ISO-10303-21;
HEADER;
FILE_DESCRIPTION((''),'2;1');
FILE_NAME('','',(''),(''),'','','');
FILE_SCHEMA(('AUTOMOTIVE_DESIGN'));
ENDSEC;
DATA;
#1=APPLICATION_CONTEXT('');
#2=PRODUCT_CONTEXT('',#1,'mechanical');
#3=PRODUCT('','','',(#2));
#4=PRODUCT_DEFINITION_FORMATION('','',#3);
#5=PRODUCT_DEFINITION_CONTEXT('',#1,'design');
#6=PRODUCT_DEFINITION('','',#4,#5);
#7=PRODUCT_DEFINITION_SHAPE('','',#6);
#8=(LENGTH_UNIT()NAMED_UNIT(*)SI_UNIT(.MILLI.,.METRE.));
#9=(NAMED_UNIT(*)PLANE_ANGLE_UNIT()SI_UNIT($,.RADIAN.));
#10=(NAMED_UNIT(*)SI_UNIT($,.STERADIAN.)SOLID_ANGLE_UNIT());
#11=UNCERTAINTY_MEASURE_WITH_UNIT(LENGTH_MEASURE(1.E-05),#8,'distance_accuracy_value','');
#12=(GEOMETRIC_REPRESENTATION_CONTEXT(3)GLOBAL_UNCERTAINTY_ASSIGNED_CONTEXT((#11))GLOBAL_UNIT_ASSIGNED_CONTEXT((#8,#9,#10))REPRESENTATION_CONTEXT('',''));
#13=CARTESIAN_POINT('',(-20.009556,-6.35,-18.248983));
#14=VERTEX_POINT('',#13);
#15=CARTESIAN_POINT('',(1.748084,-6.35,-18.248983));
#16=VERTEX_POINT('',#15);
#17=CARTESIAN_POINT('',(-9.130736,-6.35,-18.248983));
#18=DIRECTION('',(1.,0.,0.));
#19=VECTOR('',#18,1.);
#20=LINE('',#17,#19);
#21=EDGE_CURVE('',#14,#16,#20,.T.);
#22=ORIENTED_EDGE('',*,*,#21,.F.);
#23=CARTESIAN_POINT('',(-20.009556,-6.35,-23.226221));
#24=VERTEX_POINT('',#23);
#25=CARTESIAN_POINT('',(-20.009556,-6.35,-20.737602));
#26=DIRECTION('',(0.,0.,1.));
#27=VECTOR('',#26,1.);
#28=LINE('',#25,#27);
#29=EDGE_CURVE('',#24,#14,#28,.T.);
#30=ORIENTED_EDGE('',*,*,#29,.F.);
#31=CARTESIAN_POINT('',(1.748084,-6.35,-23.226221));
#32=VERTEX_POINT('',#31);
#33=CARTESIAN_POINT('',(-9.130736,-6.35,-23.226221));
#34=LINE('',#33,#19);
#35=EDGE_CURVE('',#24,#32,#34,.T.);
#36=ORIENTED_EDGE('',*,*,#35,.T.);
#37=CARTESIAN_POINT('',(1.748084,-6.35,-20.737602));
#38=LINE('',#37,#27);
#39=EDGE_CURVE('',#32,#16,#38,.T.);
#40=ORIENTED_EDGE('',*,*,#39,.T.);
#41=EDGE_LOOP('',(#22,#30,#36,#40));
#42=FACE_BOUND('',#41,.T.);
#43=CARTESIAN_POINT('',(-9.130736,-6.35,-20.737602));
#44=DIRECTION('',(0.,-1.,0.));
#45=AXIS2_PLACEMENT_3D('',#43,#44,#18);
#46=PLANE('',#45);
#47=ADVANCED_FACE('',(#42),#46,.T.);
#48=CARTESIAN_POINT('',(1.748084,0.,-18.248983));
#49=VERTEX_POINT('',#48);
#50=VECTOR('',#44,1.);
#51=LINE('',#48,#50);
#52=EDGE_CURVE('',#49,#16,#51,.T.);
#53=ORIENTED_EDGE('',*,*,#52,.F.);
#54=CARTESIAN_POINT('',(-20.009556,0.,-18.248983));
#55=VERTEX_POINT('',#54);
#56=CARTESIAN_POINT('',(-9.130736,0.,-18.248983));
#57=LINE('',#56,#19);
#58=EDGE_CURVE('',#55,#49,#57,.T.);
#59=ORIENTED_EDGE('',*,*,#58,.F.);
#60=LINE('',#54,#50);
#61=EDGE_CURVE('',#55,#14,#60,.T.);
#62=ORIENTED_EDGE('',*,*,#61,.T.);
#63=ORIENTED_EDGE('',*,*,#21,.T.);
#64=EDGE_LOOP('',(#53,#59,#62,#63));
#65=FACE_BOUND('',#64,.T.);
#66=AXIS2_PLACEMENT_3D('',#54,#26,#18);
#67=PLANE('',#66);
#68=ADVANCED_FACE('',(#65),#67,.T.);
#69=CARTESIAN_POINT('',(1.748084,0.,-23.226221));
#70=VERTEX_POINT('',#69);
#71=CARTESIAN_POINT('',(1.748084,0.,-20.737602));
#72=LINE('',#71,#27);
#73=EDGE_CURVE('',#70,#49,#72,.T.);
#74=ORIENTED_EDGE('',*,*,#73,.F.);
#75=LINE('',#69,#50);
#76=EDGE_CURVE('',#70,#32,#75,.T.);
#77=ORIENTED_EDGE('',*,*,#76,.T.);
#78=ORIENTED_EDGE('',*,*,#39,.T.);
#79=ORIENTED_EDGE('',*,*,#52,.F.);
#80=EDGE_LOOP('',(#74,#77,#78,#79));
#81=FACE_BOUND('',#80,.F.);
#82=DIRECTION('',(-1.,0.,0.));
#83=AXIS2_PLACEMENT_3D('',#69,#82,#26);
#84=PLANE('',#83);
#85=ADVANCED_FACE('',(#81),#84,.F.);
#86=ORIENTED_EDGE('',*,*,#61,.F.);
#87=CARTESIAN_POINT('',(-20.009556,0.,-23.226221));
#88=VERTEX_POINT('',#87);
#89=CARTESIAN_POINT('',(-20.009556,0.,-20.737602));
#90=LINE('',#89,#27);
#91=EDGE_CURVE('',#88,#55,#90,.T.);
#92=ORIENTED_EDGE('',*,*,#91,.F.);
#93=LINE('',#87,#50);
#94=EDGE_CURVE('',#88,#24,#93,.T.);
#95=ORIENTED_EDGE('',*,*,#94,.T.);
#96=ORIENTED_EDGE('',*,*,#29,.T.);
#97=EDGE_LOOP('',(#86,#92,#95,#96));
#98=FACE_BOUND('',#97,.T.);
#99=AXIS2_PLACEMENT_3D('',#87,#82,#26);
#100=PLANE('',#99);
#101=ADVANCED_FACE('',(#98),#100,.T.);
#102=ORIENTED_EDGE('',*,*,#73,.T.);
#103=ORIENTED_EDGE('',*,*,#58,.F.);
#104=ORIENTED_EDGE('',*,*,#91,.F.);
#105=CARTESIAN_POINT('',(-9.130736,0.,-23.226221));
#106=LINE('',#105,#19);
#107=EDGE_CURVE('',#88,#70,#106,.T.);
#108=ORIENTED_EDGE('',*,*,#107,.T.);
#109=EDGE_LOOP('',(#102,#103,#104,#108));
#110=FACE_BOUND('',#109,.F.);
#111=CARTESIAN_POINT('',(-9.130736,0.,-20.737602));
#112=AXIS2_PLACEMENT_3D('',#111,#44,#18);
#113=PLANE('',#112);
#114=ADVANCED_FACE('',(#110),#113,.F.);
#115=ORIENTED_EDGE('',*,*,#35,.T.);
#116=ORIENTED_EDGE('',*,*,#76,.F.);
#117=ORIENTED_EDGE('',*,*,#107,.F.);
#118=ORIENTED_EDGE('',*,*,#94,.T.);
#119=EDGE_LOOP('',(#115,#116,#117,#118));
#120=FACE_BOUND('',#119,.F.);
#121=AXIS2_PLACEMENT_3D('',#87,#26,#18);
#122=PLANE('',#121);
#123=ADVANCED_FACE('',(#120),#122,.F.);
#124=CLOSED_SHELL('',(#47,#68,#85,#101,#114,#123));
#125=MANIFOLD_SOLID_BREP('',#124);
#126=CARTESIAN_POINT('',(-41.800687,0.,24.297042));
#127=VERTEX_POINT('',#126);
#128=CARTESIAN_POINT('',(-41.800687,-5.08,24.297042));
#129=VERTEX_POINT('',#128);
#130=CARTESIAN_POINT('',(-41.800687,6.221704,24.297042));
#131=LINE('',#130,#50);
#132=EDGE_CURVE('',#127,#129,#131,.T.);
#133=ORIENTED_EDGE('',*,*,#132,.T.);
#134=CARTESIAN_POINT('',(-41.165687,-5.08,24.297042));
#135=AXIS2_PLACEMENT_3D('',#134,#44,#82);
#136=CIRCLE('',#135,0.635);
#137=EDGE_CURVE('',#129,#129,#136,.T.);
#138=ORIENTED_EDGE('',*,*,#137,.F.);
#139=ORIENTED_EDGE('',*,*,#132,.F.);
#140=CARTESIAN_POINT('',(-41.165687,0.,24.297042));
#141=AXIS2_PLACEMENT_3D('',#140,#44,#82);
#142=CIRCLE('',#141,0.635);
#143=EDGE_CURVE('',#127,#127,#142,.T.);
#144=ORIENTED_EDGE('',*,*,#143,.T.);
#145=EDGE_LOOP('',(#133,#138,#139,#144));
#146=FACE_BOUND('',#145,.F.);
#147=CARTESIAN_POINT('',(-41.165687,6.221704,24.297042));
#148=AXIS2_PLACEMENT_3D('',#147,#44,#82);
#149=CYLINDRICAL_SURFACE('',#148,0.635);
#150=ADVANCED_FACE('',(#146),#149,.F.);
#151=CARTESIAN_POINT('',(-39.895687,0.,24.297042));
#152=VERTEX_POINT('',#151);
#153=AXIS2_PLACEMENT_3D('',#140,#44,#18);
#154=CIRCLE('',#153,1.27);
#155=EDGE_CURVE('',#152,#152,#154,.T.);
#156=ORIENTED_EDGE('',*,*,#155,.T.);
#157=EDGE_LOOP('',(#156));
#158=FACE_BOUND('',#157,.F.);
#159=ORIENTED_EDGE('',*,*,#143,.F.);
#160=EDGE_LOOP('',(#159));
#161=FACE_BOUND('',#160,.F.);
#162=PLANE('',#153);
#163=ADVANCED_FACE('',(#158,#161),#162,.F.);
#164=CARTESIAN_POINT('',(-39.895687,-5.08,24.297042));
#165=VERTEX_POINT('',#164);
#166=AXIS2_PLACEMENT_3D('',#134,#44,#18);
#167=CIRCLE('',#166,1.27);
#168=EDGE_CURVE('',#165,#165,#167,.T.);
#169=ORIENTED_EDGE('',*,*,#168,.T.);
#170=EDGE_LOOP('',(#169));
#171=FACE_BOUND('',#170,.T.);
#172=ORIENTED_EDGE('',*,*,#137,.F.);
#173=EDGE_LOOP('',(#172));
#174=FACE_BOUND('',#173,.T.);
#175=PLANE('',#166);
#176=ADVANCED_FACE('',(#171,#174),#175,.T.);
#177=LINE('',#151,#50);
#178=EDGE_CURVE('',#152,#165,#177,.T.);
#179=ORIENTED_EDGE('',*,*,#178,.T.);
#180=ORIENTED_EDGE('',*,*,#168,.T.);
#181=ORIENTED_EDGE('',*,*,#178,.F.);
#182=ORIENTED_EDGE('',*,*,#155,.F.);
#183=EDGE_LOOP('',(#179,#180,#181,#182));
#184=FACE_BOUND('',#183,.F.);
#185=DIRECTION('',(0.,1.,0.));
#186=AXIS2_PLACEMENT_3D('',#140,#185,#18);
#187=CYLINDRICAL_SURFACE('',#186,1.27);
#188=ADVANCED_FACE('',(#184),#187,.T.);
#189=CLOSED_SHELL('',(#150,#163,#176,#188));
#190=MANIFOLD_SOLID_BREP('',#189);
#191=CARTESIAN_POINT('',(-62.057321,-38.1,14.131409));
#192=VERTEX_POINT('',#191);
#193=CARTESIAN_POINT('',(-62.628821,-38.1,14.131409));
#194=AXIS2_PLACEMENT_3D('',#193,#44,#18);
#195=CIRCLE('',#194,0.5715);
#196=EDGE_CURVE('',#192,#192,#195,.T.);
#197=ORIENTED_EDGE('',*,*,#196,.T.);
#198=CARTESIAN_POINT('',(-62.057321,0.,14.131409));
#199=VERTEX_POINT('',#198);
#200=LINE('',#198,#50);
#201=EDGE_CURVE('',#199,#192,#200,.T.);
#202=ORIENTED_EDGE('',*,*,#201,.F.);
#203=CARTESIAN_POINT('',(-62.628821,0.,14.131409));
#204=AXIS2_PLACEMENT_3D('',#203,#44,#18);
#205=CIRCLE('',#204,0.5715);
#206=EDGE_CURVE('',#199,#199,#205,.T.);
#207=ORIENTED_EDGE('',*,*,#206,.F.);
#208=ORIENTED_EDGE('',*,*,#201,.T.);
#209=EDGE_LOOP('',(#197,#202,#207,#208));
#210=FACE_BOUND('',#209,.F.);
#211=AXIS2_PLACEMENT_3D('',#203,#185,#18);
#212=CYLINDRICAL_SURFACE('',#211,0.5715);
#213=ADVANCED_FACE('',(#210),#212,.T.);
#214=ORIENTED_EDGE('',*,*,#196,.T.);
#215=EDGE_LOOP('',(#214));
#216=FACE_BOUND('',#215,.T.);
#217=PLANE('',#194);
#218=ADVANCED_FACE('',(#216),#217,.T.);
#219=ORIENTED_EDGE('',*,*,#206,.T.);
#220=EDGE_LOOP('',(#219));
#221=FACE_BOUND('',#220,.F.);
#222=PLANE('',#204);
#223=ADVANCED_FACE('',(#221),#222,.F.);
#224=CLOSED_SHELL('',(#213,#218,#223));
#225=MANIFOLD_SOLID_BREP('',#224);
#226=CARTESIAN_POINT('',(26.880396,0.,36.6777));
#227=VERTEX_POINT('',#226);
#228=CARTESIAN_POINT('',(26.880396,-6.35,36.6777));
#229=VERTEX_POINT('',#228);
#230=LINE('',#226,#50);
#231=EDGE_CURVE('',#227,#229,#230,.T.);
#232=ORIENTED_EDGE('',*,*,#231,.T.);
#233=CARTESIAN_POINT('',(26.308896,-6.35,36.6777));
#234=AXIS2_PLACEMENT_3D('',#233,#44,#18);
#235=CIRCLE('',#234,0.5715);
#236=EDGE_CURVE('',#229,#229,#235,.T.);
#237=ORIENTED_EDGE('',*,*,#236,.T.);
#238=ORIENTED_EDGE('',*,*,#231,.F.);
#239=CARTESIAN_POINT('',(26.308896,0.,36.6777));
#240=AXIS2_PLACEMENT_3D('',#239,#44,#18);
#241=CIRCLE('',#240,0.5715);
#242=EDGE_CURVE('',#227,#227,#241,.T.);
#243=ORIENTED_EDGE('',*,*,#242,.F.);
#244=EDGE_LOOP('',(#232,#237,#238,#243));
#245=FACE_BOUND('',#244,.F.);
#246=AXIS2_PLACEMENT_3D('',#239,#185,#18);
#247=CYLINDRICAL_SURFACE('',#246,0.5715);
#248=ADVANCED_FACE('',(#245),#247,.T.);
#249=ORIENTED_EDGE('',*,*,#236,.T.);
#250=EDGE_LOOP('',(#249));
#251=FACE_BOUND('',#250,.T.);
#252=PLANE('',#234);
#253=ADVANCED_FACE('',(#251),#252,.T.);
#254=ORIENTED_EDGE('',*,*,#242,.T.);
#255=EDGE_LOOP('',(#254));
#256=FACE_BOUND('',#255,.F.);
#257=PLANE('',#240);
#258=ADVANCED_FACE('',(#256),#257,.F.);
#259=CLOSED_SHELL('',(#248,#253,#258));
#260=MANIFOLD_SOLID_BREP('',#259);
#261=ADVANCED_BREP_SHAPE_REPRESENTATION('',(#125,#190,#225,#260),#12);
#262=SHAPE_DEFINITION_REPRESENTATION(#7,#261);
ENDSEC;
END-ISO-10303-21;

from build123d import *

# Parameters (mm, degrees)
F0_R     = 1.27
F1_DEPTH = 5.08
F2_D     = 1.27
F3_W     = 21.75764
F3_H     = 4.9772378749
F4_DEPTH = 6.35
F5_R     = 0.5715
F6_DEPTH = 38.1
F7_R     = 0.5715
F8_DEPTH = 6.35


with BuildPart() as f1:
    # F0 (on Front) → F1 (new body)
    with BuildSketch(Plane.XZ):
        with Locations((-41.1656871438, 24.2970418185)):
            Circle(F0_R)
    extrude(amount=F1_DEPTH)

    # F2 (through all)
    with Locations(Plane(origin=(0, 0, 0), x_dir=(1, 0, 0), z_dir=(0, 1, 0))):
        with Locations((-41.1656871438, -24.2970418185)):
            Hole(F2_D / 2)


with BuildPart() as f4:
    # F3 (on Front) → F4 (new body)
    with BuildSketch(Plane.XZ):
        with Locations((-9.1307358816, -20.7376023754)):
            Rectangle(F3_W, F3_H)
    extrude(amount=F4_DEPTH)


with BuildPart() as f6:
    # F5 (on Front) → F6 (new body)
    with BuildSketch(Plane.XZ):
        with Locations((-62.6288205385, 14.1314091161)):
            Circle(F5_R)
    extrude(amount=F6_DEPTH)


with BuildPart() as f8:
    # F7 (on Front) → F8 (new body)
    with BuildSketch(Plane.XZ):
        with Locations((26.3088960201, 36.6776995361)):
            Circle(F7_R)
    extrude(amount=F8_DEPTH)


solid = Compound([f1.part, f4.part, f6.part, f8.part])
